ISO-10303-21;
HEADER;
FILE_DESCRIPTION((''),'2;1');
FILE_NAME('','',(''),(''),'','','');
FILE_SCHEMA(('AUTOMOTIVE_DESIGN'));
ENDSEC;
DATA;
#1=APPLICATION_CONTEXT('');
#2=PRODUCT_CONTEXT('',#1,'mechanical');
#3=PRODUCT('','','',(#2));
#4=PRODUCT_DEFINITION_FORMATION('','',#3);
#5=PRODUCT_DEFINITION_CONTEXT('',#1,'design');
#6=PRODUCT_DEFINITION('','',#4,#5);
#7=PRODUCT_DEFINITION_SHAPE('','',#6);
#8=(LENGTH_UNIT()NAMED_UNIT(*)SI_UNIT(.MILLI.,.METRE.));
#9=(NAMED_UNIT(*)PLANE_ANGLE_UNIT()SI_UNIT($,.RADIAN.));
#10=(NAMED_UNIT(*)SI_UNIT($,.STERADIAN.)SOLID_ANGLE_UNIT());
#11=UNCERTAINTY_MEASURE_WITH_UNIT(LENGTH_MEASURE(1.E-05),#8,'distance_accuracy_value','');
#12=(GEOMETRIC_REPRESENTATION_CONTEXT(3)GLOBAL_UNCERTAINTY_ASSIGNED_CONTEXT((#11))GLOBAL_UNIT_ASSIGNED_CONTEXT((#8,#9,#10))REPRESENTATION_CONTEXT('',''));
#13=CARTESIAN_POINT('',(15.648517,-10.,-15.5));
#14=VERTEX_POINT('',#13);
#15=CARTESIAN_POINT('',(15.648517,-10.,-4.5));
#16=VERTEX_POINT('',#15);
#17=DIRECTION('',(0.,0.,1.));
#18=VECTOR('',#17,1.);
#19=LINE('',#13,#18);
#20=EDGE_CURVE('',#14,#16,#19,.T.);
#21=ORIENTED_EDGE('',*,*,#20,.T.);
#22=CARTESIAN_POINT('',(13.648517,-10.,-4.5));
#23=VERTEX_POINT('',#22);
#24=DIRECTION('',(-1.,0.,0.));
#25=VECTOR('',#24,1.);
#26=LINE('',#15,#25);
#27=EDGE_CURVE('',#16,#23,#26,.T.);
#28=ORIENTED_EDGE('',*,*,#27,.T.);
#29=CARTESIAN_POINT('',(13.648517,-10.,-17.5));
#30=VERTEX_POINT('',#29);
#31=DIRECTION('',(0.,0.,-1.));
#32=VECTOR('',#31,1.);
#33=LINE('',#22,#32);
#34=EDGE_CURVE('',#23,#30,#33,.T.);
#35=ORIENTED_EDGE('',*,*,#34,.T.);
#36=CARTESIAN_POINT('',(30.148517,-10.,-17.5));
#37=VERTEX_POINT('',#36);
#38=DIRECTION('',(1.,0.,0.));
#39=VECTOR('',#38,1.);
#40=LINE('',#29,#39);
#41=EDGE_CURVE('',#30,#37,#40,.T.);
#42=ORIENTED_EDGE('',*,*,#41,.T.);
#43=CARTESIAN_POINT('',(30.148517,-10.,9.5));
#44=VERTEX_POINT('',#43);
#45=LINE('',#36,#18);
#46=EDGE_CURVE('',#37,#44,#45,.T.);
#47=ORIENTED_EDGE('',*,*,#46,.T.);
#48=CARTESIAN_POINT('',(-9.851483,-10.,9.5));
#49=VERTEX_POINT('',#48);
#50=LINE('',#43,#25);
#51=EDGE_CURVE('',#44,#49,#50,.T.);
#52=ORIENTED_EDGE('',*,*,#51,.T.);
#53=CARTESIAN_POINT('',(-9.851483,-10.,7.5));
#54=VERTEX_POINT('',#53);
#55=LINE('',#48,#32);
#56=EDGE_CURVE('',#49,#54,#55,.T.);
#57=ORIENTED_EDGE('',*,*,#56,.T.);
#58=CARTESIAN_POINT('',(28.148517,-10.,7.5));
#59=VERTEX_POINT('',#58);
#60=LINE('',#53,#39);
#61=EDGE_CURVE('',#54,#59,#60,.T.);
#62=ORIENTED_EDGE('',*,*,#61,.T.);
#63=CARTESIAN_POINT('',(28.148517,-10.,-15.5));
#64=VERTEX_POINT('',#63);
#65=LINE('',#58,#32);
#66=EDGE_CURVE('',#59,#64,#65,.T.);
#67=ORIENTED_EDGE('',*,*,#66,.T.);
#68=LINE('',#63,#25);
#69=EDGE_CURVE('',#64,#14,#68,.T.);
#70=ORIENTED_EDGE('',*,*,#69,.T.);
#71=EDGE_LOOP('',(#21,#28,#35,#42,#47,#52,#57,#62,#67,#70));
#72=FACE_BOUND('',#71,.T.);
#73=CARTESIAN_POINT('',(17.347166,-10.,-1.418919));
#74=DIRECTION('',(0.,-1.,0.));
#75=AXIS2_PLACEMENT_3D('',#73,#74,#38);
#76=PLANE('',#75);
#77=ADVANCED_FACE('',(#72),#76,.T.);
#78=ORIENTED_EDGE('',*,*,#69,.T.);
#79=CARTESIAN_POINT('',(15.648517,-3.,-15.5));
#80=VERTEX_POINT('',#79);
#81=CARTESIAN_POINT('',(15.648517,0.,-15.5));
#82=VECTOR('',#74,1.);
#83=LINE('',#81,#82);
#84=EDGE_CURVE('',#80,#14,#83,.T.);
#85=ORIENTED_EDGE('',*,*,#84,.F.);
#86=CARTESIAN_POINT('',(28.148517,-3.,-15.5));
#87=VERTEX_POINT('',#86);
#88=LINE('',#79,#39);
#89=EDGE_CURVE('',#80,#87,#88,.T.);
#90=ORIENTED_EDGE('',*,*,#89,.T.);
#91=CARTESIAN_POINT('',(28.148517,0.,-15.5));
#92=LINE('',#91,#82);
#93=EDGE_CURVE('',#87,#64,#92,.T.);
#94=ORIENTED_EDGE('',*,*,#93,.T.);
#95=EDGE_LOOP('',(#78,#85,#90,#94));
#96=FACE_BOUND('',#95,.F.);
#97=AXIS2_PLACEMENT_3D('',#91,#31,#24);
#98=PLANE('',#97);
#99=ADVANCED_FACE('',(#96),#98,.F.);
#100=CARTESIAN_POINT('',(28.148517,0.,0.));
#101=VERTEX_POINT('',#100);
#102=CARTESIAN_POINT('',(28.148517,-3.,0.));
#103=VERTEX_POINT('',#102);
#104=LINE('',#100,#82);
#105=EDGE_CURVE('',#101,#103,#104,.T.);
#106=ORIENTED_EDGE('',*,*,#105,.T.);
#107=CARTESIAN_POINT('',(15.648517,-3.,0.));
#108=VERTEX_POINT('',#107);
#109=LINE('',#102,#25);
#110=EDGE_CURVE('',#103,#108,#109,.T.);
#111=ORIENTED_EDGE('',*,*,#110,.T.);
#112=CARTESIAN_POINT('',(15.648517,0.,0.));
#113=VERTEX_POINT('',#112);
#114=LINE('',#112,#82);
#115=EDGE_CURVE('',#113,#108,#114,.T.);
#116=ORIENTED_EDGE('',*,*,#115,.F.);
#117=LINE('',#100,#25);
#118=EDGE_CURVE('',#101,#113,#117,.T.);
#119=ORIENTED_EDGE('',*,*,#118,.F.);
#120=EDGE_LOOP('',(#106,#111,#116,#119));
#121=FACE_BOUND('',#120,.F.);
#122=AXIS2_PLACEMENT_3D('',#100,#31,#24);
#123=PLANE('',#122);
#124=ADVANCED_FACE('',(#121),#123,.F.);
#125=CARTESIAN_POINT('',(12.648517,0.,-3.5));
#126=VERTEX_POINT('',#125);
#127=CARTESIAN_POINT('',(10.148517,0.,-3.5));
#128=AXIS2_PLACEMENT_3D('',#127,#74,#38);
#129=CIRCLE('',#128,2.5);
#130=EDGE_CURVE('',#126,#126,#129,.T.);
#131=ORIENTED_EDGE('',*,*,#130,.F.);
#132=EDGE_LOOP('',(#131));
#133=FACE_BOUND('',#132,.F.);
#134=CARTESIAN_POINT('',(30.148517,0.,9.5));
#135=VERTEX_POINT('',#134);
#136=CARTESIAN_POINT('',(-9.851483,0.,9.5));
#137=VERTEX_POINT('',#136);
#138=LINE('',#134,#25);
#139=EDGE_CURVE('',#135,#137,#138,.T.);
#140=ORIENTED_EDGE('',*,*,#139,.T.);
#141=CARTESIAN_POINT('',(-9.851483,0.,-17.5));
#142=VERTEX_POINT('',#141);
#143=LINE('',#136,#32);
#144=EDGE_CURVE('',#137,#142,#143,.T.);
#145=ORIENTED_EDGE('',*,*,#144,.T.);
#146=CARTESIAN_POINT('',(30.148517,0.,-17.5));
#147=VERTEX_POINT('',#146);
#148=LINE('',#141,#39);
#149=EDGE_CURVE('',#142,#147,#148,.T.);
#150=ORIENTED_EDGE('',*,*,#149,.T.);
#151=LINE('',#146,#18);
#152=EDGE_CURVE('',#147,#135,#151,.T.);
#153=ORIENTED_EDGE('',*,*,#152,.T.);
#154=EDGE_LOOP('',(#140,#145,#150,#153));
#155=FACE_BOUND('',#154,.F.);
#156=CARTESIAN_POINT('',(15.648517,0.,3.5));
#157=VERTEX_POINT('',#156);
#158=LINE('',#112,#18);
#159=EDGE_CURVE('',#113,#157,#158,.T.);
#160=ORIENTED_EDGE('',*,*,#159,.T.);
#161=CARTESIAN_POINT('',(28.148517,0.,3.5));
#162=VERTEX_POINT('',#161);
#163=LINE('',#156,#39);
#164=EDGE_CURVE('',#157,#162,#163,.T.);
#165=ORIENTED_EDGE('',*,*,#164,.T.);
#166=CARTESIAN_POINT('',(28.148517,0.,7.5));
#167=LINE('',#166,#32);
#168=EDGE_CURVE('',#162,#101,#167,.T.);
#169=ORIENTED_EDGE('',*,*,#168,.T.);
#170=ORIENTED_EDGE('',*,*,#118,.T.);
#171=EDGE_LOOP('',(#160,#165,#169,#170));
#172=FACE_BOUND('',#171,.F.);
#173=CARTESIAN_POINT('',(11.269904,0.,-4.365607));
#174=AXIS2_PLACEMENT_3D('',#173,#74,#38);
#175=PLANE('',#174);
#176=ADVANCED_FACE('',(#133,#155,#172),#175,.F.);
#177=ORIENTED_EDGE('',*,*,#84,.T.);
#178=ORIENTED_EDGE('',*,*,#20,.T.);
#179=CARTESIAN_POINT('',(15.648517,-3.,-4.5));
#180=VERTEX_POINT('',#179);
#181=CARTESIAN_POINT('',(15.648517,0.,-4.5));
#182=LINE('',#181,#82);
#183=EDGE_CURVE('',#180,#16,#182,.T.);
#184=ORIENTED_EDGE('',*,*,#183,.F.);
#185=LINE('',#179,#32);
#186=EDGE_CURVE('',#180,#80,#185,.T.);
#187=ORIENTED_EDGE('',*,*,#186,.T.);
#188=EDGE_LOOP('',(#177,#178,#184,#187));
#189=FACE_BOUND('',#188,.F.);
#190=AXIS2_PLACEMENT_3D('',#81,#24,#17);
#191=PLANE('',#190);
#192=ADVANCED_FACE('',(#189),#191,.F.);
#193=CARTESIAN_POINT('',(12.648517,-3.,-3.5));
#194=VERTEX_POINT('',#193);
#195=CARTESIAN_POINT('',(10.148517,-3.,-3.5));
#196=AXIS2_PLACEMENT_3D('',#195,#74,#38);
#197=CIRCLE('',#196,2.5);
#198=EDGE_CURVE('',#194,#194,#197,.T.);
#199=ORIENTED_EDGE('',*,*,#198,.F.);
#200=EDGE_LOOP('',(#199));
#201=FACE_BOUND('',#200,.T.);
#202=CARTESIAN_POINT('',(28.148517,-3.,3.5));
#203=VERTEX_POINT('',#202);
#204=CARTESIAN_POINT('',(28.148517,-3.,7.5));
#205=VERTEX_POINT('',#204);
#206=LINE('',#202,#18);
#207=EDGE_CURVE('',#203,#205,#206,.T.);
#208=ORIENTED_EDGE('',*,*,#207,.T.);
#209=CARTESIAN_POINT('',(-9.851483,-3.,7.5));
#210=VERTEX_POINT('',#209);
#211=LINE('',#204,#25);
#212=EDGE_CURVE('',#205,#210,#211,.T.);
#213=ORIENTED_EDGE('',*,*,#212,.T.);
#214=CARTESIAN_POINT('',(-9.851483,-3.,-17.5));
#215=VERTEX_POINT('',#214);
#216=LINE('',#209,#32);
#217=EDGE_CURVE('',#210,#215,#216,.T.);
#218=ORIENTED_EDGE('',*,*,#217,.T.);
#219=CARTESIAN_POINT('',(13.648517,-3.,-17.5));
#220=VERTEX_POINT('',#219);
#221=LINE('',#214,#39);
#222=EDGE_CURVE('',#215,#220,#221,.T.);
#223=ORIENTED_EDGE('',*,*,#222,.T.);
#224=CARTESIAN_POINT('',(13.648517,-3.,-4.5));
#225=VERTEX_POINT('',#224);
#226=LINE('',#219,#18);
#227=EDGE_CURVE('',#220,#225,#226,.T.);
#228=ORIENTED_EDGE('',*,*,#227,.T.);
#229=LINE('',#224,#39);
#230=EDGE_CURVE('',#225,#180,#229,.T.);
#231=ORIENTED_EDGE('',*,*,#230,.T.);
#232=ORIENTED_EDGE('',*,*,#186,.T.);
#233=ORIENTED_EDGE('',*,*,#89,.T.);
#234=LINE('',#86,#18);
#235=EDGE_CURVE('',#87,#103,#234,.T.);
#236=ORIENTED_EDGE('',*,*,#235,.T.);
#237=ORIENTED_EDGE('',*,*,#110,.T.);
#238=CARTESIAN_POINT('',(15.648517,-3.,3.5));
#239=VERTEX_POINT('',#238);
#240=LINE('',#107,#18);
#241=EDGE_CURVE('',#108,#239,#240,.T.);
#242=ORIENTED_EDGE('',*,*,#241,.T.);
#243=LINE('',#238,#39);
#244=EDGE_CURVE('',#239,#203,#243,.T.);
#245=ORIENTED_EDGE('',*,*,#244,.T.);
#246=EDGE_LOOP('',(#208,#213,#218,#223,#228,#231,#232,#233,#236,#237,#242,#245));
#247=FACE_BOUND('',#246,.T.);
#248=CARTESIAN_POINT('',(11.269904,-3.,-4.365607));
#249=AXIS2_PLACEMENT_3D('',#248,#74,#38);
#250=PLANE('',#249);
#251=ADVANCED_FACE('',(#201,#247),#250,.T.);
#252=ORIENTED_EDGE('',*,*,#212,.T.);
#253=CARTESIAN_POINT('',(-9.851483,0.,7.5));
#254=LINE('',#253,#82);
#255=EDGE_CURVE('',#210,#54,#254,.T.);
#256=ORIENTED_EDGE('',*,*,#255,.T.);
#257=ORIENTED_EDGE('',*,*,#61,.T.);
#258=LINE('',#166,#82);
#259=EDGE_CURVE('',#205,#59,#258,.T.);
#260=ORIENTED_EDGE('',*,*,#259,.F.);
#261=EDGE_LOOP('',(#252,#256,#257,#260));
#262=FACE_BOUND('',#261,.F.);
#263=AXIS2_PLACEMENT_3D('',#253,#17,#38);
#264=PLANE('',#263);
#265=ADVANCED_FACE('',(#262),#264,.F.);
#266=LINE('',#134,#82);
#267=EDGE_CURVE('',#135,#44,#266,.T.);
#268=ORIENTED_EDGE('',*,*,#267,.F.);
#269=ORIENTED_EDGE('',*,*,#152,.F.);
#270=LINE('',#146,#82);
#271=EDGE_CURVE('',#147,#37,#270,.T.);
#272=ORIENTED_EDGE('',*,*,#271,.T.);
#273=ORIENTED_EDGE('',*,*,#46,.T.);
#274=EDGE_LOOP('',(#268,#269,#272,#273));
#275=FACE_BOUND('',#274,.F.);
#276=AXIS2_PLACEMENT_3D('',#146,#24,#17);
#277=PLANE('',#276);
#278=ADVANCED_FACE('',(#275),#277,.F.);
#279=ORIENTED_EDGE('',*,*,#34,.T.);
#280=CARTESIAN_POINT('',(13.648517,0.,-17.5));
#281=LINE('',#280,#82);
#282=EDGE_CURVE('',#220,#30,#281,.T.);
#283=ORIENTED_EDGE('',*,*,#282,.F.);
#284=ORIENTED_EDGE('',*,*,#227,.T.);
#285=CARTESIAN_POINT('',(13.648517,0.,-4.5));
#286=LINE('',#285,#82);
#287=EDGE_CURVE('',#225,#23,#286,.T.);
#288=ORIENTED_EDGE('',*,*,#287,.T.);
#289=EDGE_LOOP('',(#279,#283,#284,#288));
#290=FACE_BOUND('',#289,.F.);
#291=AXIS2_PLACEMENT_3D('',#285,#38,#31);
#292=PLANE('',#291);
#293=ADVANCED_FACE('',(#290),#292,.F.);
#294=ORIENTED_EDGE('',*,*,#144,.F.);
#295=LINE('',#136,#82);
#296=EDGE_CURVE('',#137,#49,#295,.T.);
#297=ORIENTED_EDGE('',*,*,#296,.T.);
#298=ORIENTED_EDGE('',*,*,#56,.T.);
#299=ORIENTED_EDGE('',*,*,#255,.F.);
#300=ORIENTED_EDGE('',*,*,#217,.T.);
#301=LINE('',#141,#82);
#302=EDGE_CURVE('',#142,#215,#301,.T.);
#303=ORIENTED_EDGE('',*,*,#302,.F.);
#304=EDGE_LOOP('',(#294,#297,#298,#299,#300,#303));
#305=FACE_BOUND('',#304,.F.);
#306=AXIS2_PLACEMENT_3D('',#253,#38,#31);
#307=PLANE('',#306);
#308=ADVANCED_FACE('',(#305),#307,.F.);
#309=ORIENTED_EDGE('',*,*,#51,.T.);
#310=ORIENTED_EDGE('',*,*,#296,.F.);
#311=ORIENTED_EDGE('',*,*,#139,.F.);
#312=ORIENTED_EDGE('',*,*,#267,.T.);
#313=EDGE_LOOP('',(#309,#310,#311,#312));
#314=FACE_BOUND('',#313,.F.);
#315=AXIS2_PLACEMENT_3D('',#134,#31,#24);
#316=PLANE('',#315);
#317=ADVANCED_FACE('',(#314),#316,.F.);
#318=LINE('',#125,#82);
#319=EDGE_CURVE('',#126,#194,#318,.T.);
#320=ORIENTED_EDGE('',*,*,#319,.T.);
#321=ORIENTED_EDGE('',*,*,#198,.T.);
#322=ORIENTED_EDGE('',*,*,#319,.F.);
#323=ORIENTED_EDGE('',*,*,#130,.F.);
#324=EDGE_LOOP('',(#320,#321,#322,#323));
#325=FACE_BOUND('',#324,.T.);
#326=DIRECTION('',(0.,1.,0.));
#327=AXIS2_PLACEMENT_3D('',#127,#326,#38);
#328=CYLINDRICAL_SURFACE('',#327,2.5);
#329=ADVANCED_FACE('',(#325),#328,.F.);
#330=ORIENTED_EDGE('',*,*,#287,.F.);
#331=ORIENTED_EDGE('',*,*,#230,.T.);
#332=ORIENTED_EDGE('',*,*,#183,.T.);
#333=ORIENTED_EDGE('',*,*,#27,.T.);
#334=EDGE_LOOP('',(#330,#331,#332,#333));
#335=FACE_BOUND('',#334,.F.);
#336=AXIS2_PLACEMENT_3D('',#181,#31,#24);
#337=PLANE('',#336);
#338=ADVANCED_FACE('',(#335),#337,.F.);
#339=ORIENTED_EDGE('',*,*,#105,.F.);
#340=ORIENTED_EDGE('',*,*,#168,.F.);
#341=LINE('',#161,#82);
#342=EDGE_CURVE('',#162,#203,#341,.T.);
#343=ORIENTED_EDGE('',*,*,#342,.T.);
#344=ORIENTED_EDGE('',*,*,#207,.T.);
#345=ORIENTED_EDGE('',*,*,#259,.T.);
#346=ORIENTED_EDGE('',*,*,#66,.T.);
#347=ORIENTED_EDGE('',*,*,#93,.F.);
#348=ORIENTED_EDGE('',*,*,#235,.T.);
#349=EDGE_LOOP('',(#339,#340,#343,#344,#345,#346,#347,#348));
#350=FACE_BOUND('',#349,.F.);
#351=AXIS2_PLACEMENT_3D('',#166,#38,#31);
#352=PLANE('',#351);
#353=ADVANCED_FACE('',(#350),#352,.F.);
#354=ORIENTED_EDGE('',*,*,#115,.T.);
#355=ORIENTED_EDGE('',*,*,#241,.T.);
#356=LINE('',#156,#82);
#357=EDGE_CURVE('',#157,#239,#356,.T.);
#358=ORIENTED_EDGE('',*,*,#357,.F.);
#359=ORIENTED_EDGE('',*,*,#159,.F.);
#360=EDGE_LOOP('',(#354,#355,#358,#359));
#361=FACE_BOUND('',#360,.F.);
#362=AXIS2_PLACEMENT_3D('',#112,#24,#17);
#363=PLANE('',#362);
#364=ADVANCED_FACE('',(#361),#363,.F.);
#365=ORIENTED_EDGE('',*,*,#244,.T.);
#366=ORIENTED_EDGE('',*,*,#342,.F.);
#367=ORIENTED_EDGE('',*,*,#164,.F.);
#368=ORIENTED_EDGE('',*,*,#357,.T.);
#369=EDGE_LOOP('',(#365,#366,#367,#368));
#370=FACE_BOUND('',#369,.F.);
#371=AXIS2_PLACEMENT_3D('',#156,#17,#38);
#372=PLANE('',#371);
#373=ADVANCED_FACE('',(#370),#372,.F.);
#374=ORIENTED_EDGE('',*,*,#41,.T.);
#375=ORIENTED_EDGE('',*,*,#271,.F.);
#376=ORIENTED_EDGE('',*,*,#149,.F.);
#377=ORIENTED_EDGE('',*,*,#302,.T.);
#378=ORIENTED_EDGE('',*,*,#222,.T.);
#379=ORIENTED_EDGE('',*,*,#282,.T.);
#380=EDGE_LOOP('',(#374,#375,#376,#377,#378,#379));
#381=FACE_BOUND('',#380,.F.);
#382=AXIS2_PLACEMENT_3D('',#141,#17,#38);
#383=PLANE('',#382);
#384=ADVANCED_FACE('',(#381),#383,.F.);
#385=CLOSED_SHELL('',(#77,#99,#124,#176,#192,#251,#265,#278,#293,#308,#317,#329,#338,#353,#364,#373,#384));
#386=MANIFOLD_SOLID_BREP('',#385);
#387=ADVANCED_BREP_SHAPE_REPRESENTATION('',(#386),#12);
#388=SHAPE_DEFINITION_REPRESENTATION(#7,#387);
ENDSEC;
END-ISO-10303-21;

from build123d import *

# Parameters (mm, degrees)
F1_DEPTH = 10
F0_R     = 2.5
F2_DEPTH = 3


with BuildPart() as f1:
    # F0 (on Front) → F1 (new body)
    with BuildSketch(Plane.XZ):
        Polygon((13.648517, -4.5), (13.648517, -17.5), (30.148517, -17.5), (30.148517, 9.5), (-9.851483, 9.5), (-9.851483, 7.5), (28.148517, 7.5), (28.148517, 3.5), (28.148517, 0), (28.148517, -15.5), (15.648517, -15.5), (15.648517, -4.5), align=None)
    extrude(amount=F1_DEPTH)

    # F0 (on Front) → F2 (join)
    with BuildSketch(Plane.XZ):
        Polygon((-9.851483, 7.5), (-9.851483, -17.5), (13.648517, -17.5), (13.648517, -4.5), (15.648517, -4.5), (15.648517, -15.5), (28.148517, -15.5), (28.148517, 0), (15.648517, 0), (15.648517, 3.5), (28.148517, 3.5), (28.148517, 7.5), align=None)
        with Locations((10.148517, -3.5)):
            Circle(F0_R, mode=Mode.SUBTRACT)
    extrude(amount=F2_DEPTH)


solid = f1.part
